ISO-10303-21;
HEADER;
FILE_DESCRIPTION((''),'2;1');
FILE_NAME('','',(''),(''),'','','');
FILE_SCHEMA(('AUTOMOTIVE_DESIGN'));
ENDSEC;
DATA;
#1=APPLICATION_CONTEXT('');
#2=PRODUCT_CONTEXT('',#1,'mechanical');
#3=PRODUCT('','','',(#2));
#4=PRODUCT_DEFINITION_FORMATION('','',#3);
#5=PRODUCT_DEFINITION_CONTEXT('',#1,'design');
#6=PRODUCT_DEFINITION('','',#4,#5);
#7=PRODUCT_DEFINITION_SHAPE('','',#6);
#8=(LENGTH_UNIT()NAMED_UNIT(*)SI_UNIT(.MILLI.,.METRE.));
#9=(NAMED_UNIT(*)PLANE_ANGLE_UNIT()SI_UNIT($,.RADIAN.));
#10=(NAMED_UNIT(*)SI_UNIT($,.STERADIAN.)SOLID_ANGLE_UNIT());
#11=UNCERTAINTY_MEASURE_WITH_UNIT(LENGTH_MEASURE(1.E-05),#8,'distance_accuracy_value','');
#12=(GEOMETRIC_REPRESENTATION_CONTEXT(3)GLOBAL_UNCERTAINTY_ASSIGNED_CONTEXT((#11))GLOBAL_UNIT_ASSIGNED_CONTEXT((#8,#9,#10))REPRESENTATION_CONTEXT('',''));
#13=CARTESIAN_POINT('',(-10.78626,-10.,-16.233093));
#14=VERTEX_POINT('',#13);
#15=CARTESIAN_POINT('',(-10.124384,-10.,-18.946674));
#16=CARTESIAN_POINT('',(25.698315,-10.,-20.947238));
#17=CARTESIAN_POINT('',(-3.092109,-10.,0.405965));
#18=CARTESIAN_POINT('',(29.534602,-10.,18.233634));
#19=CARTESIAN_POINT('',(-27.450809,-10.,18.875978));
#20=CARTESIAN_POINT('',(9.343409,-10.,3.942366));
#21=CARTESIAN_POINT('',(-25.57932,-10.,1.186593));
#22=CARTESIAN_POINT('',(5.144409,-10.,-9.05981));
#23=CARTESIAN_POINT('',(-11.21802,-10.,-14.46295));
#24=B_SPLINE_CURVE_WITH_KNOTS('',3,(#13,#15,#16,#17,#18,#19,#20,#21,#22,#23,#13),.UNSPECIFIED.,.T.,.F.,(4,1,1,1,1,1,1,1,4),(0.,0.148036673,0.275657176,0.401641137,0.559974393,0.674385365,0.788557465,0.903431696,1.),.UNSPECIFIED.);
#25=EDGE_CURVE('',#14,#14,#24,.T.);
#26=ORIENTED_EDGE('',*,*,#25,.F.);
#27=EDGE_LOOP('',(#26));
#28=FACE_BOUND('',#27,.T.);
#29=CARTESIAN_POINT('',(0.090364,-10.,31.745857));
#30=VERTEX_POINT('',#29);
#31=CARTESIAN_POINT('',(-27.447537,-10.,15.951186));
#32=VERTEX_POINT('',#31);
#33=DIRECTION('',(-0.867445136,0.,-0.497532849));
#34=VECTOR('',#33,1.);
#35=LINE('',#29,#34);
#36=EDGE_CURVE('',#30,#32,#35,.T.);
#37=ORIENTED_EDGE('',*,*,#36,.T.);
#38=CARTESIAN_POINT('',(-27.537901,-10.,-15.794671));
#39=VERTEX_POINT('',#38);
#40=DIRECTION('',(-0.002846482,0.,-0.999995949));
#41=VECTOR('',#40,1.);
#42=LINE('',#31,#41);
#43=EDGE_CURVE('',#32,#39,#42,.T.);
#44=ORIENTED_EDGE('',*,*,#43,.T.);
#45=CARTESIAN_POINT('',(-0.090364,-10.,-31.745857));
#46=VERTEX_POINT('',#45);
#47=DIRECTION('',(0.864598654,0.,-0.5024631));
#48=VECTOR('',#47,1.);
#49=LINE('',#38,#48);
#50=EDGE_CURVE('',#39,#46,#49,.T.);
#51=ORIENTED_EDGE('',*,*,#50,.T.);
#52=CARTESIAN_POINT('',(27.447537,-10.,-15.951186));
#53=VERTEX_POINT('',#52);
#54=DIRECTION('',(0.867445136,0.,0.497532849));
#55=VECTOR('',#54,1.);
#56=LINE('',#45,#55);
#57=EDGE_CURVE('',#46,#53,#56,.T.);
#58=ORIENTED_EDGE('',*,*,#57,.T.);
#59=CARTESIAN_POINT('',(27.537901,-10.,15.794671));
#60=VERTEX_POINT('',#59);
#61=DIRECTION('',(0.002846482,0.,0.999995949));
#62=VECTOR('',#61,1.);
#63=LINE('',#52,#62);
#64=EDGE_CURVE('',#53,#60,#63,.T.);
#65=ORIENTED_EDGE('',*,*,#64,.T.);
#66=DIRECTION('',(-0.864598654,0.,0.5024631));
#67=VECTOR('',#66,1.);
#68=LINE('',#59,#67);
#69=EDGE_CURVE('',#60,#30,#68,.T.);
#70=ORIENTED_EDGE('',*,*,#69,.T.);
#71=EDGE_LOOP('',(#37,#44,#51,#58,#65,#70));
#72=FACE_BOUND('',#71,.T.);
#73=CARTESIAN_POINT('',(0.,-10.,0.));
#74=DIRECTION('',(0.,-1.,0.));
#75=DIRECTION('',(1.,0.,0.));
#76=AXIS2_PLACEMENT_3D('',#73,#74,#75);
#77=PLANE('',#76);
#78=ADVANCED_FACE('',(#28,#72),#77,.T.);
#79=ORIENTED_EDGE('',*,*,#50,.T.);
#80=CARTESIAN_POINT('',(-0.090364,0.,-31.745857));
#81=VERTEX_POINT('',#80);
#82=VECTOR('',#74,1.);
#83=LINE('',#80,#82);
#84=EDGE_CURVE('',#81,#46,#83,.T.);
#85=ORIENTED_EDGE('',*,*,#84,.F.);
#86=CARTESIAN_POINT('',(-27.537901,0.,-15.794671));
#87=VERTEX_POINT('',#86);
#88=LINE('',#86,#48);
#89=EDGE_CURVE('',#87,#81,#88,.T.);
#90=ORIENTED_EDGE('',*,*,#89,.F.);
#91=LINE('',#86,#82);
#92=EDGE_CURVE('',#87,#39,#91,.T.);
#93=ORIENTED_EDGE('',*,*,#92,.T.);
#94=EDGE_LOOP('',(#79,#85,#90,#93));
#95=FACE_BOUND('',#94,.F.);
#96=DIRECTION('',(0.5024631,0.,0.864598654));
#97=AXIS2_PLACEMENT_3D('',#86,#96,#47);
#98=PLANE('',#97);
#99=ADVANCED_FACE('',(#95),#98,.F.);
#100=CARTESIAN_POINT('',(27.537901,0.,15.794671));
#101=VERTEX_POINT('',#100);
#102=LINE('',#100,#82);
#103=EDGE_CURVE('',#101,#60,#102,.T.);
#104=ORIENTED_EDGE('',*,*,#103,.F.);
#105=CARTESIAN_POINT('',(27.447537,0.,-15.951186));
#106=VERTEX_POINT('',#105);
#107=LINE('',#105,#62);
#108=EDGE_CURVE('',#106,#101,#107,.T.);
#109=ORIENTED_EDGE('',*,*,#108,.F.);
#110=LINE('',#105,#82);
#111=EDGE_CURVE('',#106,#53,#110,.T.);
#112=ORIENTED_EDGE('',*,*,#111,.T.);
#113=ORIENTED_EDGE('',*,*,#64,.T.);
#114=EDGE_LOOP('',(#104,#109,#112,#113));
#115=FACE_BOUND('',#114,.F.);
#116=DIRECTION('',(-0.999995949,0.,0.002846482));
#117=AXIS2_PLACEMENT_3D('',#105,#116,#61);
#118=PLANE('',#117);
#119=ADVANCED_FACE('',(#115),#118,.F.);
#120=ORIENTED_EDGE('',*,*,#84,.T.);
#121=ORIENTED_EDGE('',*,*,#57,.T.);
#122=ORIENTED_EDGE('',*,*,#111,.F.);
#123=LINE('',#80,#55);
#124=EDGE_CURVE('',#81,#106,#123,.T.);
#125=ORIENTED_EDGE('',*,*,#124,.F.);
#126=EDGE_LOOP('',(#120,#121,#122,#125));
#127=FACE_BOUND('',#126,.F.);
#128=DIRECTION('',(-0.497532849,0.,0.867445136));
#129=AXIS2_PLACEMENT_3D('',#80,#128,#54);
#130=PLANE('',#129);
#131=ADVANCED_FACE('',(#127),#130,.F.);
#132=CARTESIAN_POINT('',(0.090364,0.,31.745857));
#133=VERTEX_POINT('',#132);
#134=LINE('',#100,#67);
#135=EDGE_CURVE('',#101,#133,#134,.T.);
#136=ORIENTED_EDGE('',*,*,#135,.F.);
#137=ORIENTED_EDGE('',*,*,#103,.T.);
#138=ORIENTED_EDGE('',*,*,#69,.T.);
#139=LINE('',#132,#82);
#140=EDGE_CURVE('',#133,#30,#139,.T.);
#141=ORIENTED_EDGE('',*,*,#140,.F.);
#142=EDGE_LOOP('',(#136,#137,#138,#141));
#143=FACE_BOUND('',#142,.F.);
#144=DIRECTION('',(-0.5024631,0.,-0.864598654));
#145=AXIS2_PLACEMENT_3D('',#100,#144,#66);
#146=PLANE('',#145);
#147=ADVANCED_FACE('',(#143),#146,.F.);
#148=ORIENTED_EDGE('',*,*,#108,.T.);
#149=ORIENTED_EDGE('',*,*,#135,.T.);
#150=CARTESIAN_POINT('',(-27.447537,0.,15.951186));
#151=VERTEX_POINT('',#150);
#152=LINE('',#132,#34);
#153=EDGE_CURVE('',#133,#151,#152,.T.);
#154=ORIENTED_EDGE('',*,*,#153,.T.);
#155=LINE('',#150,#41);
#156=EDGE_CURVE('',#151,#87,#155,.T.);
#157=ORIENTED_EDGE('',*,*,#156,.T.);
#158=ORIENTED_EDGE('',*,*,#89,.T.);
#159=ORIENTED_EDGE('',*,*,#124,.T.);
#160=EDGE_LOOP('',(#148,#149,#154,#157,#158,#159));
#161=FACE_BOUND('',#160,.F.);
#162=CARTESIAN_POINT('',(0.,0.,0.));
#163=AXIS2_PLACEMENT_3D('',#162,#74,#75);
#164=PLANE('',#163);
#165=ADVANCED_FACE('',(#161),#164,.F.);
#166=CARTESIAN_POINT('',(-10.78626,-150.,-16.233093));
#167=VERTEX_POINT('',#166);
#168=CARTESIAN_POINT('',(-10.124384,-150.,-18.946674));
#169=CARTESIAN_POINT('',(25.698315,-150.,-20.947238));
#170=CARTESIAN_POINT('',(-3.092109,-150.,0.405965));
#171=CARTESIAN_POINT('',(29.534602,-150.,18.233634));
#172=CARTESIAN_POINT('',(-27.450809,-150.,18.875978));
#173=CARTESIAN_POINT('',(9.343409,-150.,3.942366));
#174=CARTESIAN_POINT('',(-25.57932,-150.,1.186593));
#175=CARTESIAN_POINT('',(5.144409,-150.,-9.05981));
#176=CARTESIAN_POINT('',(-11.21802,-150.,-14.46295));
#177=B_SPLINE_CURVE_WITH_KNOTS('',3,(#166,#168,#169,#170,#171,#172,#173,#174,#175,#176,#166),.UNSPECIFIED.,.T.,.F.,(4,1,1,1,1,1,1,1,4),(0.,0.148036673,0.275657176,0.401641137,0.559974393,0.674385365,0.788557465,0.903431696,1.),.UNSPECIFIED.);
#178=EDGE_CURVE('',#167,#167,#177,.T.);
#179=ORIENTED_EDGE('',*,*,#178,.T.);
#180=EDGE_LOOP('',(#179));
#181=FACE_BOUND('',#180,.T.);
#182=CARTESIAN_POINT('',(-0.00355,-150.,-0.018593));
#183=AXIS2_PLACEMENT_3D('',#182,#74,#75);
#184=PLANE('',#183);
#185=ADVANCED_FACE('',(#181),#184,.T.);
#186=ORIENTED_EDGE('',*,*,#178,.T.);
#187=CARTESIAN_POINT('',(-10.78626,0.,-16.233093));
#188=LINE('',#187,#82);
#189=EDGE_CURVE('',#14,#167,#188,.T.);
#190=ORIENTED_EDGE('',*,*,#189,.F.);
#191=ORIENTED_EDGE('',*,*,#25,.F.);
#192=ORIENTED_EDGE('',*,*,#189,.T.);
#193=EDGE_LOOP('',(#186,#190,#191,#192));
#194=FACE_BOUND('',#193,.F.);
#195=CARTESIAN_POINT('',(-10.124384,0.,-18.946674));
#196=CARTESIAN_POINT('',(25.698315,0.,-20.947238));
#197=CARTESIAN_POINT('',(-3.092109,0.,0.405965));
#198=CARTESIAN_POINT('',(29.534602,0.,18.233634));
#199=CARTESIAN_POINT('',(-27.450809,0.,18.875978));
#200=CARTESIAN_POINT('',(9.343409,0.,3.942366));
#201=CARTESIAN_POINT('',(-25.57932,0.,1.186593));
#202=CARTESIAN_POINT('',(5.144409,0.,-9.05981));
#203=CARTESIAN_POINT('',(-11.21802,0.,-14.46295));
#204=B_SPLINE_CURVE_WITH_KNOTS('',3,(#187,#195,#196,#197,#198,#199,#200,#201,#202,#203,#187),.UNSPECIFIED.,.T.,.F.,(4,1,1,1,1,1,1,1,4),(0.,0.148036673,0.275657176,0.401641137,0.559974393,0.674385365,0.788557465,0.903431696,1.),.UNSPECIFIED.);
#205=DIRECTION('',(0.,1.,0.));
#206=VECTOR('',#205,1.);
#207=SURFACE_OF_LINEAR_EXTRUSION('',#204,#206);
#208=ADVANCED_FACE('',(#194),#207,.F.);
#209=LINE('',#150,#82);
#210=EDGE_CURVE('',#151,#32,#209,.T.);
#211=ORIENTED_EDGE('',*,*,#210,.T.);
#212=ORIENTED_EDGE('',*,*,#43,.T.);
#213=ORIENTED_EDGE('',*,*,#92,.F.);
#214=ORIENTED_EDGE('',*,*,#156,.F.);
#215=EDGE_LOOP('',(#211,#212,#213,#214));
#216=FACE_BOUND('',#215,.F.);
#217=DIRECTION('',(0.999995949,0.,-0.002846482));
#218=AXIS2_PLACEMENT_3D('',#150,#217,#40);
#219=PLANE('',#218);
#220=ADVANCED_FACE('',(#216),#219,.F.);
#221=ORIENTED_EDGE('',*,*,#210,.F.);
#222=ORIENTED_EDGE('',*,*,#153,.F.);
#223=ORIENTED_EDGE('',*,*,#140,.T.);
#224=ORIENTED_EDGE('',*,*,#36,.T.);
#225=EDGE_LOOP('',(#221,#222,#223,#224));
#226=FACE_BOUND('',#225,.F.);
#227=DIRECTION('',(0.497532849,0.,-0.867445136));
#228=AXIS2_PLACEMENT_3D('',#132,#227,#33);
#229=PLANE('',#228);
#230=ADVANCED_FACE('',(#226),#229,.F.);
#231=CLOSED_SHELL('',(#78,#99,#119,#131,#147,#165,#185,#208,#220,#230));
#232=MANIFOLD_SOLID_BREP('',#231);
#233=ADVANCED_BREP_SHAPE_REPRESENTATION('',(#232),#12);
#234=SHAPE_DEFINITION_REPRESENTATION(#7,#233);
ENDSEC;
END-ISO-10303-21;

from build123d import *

# Parameters (mm, degrees)
F1_DEPTH = 150
F2_DEPTH = 10


with BuildPart() as f1:
    # F0 (on Front) → F1 (new body)
    with BuildSketch(Plane.XZ):
        with BuildLine():
            add(Edge.make_bspline(
                [(-10.786260422, -16.2330926492), (-10.1243839528, -18.9466742599), (25.6983149174, -20.9472383741), (-3.0921092125, 0.4059654176), (29.534601694, 18.2336342548), (-27.4508092099, 18.8759779984), (9.3434090364, 3.942366063), (-25.5793202487, 1.1865934003), (5.1444093302, -9.0598099106), (-11.2180202473, -14.4629503696), (-10.786260422, -16.2330926492)],
                knots=[0, 0, 0, 0, 0.1480366732, 0.2756571765, 0.4016411373, 0.5599743934, 0.6743853655, 0.7885574646, 0.9034316959, 1, 1, 1, 1], degree=3))
        make_face()
    extrude(amount=F1_DEPTH)

    # F0 (on Front) → F2 (join)
    with BuildSketch(Plane.XZ):
        Polygon((0.0903643651, 31.7458571655), (-27.4475365877, 15.9511864185), (-27.5379009528, -15.794670747), (-0.0903643651, -31.7458571655), (27.4475365877, -15.9511864185), (27.5379009528, 15.794670747), align=None)
        with BuildLine():
            add(Edge.make_bspline(
                [(-10.786260422, -16.2330926492), (-10.1243839528, -18.9466742599), (25.6983149174, -20.9472383741), (-3.0921092125, 0.4059654176), (29.534601694, 18.2336342548), (-27.4508092099, 18.8759779984), (9.3434090364, 3.942366063), (-25.5793202487, 1.1865934003), (5.1444093302, -9.0598099106), (-11.2180202473, -14.4629503696), (-10.786260422, -16.2330926492)],
                knots=[0, 0, 0, 0, 0.1480366732, 0.2756571765, 0.4016411373, 0.5599743934, 0.6743853655, 0.7885574646, 0.9034316959, 1, 1, 1, 1], degree=3))
        make_face(mode=Mode.SUBTRACT)
    extrude(amount=F2_DEPTH)


solid = f1.part
